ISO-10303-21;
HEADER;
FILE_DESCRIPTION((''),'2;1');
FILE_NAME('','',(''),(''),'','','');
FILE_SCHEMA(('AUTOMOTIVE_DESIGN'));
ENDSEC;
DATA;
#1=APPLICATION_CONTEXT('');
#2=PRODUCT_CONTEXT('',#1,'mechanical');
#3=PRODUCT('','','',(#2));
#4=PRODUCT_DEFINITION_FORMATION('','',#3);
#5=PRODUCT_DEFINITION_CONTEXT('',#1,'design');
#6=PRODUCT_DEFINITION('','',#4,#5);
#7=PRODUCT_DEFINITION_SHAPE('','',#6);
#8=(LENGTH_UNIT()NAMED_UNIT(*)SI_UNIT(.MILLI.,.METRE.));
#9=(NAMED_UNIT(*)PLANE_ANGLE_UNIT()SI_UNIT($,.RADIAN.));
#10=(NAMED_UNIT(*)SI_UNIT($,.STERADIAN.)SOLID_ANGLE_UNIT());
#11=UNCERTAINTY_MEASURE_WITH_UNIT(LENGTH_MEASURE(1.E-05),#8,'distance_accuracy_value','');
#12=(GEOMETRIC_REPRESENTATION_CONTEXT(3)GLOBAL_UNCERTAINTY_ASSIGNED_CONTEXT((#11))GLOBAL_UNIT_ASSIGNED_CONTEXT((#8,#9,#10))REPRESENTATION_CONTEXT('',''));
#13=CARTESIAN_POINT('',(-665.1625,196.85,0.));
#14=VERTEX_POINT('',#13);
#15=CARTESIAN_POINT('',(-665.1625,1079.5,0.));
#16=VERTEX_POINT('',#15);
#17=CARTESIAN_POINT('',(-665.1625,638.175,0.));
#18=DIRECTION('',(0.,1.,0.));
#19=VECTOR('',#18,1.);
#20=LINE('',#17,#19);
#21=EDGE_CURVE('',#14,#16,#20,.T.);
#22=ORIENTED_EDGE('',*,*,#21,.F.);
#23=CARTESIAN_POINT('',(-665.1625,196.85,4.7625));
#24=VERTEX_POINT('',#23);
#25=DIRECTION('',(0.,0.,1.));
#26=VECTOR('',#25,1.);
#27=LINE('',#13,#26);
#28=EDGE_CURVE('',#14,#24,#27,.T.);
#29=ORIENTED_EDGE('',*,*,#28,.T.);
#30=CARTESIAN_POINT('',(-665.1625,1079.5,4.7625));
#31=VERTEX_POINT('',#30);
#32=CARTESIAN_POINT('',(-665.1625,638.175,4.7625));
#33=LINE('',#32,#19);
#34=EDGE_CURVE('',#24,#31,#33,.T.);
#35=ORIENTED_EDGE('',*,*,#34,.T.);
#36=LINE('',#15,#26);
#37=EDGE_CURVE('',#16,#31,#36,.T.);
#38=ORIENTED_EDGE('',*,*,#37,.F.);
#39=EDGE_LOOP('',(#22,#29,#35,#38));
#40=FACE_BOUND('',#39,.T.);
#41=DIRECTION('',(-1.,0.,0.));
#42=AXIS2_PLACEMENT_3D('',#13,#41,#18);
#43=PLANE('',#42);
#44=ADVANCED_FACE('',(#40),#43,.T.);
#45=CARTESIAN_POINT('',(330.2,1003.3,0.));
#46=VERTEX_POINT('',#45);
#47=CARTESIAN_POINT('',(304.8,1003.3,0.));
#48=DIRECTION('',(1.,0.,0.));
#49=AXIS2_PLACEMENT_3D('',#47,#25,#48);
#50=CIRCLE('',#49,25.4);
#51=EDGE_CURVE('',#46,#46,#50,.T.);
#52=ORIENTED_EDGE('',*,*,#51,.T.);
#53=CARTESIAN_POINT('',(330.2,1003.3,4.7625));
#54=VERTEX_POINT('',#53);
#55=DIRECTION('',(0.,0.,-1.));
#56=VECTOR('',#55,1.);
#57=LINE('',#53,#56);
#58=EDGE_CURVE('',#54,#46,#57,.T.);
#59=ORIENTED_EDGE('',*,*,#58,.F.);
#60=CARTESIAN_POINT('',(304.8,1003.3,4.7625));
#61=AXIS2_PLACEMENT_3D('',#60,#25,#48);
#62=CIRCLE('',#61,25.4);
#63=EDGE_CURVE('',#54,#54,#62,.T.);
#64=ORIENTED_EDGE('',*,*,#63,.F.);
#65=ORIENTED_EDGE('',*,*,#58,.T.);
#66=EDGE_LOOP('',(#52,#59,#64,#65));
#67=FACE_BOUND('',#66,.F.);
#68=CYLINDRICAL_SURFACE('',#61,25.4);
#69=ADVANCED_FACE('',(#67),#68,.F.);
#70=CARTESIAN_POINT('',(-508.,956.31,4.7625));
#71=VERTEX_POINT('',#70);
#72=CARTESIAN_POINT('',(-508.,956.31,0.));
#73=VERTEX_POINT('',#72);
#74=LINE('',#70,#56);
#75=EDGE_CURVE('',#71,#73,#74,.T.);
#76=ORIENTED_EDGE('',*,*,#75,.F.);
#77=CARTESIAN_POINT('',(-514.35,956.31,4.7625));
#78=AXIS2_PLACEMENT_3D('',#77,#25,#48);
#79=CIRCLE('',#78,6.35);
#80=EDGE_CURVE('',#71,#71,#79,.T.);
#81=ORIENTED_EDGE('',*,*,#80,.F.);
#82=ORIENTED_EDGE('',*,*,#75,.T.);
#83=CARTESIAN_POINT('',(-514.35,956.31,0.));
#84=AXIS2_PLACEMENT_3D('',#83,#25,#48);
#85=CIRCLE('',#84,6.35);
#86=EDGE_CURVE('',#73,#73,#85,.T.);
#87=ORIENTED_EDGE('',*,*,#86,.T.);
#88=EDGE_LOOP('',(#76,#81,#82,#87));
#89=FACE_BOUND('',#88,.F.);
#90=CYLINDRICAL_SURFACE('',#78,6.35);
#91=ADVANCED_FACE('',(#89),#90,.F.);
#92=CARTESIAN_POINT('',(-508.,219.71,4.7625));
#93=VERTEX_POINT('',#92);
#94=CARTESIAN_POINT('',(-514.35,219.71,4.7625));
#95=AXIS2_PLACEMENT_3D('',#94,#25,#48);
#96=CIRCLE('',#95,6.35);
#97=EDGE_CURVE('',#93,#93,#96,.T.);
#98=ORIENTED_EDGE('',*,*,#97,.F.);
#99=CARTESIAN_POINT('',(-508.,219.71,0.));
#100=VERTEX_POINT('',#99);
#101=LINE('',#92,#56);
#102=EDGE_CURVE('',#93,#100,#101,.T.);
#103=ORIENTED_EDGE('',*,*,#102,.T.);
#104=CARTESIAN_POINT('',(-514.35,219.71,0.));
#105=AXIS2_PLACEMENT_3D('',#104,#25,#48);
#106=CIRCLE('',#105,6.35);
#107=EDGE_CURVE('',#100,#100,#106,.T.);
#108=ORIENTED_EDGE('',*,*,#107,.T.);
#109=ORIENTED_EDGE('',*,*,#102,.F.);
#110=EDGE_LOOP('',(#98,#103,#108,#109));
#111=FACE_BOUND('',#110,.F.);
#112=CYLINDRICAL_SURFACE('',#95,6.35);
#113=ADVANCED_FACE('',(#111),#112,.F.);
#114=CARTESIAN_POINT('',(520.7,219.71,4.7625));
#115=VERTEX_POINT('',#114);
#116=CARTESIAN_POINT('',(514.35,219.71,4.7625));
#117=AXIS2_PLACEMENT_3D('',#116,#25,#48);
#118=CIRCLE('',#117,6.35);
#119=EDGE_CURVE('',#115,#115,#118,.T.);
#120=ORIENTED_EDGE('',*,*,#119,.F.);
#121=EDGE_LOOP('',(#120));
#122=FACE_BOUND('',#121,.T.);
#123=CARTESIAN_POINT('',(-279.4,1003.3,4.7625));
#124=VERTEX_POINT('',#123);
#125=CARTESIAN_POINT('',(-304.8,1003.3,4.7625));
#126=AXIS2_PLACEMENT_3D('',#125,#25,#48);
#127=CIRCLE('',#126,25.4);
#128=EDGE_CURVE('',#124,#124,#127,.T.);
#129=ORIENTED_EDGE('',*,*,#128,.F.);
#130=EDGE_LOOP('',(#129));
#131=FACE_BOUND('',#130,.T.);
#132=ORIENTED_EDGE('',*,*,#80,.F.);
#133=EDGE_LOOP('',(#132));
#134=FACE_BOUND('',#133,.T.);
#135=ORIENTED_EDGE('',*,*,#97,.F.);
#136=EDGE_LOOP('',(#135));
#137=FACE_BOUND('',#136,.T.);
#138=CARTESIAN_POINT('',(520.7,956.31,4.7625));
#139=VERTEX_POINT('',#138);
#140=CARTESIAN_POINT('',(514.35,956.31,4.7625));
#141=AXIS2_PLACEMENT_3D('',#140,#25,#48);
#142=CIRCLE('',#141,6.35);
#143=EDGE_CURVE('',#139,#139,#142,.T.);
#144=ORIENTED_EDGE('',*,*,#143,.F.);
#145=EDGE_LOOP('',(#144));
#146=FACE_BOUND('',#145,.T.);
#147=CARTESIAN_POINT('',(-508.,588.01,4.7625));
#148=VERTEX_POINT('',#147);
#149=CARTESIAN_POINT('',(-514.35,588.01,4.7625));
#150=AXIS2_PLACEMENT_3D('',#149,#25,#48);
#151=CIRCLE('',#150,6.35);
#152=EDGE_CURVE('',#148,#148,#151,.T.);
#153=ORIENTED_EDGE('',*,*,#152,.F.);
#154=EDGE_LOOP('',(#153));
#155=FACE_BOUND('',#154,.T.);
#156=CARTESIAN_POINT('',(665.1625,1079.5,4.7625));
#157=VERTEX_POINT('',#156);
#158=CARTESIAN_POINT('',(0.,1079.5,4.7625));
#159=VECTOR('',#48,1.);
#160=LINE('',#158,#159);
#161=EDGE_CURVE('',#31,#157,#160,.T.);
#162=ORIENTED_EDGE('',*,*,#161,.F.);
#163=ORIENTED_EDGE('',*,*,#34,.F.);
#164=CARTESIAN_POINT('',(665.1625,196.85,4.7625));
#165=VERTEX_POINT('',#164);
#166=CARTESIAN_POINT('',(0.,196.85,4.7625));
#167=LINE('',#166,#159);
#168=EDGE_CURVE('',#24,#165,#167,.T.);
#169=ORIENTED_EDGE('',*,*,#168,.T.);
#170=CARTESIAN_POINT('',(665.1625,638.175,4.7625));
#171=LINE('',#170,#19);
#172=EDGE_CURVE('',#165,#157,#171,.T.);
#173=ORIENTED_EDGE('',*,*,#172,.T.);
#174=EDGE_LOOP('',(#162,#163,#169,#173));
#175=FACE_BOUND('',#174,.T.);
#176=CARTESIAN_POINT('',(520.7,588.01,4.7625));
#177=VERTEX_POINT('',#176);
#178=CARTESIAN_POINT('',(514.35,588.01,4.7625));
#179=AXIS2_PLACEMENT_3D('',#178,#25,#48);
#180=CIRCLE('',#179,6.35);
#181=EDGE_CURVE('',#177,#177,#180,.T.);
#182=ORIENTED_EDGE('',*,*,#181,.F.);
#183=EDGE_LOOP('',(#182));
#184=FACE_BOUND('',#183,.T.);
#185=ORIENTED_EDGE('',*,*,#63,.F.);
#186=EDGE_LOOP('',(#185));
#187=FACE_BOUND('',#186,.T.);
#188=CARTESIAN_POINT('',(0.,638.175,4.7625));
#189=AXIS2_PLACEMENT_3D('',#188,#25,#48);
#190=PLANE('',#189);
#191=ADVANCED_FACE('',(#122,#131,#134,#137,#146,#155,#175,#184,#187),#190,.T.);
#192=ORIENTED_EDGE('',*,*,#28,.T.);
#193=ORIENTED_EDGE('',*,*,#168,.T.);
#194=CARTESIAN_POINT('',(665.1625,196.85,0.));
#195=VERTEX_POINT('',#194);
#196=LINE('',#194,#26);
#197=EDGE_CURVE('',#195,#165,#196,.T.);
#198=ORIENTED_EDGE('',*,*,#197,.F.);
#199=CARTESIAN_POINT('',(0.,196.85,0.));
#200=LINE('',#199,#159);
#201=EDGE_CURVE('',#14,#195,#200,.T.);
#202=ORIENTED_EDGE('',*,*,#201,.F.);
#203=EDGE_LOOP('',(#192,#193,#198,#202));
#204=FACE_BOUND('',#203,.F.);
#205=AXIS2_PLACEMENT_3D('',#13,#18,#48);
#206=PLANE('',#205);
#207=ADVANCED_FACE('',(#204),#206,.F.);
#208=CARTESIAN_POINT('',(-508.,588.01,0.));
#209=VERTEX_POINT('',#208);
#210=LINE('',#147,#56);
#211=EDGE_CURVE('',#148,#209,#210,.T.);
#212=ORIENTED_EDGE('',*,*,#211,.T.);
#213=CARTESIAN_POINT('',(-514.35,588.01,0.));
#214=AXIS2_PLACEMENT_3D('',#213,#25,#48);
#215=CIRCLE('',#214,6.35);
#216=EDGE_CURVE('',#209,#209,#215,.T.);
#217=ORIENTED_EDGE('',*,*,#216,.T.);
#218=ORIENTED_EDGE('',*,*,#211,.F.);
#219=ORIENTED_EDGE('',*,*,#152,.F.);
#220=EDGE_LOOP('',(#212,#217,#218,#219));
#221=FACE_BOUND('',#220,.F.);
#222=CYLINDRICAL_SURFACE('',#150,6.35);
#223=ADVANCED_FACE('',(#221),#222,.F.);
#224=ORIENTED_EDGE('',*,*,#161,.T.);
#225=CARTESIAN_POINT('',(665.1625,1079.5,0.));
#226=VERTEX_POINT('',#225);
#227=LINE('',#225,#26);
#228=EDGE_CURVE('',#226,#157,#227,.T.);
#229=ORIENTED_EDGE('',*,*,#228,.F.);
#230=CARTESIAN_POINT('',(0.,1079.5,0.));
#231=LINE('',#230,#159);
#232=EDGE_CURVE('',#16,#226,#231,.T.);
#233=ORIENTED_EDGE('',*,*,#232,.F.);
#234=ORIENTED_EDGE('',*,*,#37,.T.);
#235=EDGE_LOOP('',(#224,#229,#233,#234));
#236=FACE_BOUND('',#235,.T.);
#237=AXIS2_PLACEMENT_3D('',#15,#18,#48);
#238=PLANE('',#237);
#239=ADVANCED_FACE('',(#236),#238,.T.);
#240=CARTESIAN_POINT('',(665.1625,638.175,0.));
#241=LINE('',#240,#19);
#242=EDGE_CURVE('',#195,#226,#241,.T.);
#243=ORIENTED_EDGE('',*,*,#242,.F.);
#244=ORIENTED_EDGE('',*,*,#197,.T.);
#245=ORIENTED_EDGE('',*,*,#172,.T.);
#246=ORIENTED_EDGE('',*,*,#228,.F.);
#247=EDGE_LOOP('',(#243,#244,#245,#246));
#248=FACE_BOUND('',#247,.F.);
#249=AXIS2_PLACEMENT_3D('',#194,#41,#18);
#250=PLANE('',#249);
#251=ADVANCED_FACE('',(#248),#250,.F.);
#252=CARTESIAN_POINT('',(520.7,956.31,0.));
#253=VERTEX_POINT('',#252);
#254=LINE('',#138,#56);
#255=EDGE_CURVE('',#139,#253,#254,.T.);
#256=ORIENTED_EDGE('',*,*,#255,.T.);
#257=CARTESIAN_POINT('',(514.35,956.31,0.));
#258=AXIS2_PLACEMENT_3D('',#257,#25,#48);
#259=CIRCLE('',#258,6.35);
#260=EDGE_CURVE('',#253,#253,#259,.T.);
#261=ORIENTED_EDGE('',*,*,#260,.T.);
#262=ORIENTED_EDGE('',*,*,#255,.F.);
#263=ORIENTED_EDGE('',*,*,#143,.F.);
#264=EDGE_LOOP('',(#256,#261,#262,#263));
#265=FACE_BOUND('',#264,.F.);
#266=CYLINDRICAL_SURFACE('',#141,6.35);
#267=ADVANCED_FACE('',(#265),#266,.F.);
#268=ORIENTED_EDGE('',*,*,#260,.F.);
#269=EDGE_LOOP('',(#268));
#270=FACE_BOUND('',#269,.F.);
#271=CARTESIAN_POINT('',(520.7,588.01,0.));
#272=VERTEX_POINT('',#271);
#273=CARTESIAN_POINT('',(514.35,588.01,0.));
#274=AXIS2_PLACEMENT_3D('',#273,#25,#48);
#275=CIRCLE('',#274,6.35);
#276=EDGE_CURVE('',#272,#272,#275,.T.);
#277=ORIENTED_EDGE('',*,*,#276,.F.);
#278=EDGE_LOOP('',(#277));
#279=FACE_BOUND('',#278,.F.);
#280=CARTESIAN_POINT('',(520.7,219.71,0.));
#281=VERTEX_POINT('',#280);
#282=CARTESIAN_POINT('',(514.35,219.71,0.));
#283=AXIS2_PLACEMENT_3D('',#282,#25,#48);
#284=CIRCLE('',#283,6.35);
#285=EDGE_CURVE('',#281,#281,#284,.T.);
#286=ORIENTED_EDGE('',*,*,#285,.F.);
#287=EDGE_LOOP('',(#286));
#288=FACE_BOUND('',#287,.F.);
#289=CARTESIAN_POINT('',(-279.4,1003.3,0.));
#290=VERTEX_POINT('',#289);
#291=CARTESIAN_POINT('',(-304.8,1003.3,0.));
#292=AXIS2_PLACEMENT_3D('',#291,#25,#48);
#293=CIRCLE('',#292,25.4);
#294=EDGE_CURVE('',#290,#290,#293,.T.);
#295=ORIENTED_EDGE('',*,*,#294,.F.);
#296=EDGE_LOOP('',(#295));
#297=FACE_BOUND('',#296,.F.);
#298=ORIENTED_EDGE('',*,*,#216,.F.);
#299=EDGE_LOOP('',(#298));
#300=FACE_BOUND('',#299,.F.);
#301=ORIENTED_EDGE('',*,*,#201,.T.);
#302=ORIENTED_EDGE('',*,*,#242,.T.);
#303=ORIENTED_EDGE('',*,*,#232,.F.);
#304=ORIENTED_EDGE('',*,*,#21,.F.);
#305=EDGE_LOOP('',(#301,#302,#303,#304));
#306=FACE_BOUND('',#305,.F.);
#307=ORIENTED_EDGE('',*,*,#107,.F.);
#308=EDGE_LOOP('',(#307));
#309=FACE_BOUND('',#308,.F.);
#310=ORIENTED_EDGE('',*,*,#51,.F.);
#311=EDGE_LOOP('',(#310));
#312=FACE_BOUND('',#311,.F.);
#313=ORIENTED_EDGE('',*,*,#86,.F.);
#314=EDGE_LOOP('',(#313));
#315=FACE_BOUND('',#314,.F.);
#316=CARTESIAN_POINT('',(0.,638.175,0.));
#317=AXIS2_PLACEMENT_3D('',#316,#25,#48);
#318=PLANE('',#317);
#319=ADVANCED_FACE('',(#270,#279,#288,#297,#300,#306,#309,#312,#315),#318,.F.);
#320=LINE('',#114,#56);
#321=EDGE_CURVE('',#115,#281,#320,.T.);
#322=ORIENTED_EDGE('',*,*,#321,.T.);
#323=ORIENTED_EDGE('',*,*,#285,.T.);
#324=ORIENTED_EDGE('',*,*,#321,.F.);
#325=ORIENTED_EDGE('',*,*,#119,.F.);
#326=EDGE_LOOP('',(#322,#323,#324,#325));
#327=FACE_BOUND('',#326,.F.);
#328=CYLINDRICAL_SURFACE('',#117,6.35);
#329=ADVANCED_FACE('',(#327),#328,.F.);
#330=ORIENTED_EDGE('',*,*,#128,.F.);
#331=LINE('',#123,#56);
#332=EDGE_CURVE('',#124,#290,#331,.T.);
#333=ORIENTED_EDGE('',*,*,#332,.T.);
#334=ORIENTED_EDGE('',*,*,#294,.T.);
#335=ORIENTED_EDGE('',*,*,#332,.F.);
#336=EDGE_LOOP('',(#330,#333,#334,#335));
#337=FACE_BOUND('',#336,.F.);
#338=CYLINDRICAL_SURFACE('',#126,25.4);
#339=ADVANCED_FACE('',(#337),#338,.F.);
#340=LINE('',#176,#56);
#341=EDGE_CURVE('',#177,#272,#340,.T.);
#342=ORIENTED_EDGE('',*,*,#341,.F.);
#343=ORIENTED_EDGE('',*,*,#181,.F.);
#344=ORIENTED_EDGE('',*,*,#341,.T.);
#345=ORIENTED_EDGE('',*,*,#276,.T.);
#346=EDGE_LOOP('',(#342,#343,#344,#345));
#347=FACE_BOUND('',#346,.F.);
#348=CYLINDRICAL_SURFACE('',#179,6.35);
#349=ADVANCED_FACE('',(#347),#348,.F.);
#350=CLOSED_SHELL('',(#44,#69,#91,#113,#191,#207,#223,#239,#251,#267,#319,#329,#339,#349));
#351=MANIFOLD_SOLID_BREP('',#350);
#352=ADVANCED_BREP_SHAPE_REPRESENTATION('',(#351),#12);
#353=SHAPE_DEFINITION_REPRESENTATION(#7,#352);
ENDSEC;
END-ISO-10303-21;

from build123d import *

# Parameters (mm, degrees)
SKETCH1_W          = 1330.325
SKETCH1_H          = 882.65
EXTRUDE1_DEPTH     = 4.7625
SKETCH2_R          = 6.35
CUT_EXTRUDE1_DEPTH = 5.7625
SKETCH3_R          = 25.4
CUT_EXTRUDE2_DEPTH = 5.7625


with BuildPart() as part:
    # Sketch1 → Extrude1 (new body)
    with BuildSketch(Plane.XY):
        with Locations((0, 638.175)):
            Rectangle(SKETCH1_W, SKETCH1_H)
    extrude(amount=EXTRUDE1_DEPTH)

    # Sketch2 → Cut-Extrude1 (cut, through all)
    with BuildSketch(Plane.XY.offset(4.7625)):
        with Locations((514.35, 956.31)):
            Circle(SKETCH2_R)
        with Locations((514.35, 588.01)):
            Circle(SKETCH2_R)
        with Locations((514.35, 219.71)):
            Circle(SKETCH2_R)
        with Locations((-514.35, 219.71)):
            Circle(SKETCH2_R)
        with Locations((-514.35, 588.01)):
            Circle(SKETCH2_R)
        with Locations((-514.35, 956.31)):
            Circle(SKETCH2_R)
    extrude(amount=-CUT_EXTRUDE1_DEPTH, mode=Mode.SUBTRACT)

    # Sketch3 → Cut-Extrude2 (cut, through all)
    with BuildSketch(Plane.XY.offset(4.7625)):
        with Locations((304.8, 1003.3)):
            Circle(SKETCH3_R)
        with Locations((-304.8, 1003.3)):
            Circle(SKETCH3_R)
    extrude(amount=-CUT_EXTRUDE2_DEPTH, mode=Mode.SUBTRACT)


solid = part.part
